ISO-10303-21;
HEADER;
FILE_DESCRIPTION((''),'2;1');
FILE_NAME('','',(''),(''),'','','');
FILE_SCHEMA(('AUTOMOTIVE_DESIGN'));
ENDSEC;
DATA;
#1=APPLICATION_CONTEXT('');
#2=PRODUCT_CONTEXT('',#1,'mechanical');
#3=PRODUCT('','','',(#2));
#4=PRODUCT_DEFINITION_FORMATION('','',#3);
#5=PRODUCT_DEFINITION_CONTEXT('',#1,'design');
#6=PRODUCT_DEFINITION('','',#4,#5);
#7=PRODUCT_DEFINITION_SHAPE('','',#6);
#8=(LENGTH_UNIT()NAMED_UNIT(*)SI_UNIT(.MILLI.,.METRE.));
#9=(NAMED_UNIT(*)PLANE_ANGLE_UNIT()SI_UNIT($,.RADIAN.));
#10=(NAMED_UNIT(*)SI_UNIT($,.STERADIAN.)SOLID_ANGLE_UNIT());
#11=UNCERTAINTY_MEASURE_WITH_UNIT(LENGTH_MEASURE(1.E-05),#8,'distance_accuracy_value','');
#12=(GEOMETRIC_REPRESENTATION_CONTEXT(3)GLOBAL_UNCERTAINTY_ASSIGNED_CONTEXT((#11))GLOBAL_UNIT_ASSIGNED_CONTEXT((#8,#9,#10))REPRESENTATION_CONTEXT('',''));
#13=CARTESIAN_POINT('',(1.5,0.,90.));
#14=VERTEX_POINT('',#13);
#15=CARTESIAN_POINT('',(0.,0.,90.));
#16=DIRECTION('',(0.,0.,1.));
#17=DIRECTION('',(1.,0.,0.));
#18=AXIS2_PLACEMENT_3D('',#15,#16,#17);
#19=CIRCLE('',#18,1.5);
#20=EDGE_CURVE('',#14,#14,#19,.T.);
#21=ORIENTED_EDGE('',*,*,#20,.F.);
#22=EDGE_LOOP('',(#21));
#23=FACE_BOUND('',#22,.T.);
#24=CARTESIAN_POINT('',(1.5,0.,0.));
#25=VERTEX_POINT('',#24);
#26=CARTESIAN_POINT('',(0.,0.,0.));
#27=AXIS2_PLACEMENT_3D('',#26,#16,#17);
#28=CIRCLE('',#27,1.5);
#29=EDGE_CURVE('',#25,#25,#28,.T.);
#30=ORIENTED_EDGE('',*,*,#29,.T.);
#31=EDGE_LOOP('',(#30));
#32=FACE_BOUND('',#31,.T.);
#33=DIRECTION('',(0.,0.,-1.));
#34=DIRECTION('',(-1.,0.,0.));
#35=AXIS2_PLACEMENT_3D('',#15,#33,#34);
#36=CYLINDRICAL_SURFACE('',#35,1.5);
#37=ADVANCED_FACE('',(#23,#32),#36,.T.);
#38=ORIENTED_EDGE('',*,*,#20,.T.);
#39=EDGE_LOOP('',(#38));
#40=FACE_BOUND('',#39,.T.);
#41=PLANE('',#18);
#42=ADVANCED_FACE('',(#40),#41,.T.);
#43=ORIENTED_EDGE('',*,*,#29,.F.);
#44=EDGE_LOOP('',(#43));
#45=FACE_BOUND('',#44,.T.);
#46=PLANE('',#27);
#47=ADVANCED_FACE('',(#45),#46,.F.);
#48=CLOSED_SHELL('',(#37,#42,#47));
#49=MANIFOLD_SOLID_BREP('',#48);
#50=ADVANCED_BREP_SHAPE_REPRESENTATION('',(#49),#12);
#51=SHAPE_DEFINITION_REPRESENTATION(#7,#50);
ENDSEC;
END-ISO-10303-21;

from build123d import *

# Parameters (mm, degrees)
SKETCH1_R           = 1.5
BOSS_EXTRUDE1_DEPTH = 90


with BuildPart() as part:
    # Sketch1 → Boss-Extrude1 (new body)
    with BuildSketch(Plane.XY):
        Circle(SKETCH1_R)
    extrude(amount=BOSS_EXTRUDE1_DEPTH)


solid = part.part
